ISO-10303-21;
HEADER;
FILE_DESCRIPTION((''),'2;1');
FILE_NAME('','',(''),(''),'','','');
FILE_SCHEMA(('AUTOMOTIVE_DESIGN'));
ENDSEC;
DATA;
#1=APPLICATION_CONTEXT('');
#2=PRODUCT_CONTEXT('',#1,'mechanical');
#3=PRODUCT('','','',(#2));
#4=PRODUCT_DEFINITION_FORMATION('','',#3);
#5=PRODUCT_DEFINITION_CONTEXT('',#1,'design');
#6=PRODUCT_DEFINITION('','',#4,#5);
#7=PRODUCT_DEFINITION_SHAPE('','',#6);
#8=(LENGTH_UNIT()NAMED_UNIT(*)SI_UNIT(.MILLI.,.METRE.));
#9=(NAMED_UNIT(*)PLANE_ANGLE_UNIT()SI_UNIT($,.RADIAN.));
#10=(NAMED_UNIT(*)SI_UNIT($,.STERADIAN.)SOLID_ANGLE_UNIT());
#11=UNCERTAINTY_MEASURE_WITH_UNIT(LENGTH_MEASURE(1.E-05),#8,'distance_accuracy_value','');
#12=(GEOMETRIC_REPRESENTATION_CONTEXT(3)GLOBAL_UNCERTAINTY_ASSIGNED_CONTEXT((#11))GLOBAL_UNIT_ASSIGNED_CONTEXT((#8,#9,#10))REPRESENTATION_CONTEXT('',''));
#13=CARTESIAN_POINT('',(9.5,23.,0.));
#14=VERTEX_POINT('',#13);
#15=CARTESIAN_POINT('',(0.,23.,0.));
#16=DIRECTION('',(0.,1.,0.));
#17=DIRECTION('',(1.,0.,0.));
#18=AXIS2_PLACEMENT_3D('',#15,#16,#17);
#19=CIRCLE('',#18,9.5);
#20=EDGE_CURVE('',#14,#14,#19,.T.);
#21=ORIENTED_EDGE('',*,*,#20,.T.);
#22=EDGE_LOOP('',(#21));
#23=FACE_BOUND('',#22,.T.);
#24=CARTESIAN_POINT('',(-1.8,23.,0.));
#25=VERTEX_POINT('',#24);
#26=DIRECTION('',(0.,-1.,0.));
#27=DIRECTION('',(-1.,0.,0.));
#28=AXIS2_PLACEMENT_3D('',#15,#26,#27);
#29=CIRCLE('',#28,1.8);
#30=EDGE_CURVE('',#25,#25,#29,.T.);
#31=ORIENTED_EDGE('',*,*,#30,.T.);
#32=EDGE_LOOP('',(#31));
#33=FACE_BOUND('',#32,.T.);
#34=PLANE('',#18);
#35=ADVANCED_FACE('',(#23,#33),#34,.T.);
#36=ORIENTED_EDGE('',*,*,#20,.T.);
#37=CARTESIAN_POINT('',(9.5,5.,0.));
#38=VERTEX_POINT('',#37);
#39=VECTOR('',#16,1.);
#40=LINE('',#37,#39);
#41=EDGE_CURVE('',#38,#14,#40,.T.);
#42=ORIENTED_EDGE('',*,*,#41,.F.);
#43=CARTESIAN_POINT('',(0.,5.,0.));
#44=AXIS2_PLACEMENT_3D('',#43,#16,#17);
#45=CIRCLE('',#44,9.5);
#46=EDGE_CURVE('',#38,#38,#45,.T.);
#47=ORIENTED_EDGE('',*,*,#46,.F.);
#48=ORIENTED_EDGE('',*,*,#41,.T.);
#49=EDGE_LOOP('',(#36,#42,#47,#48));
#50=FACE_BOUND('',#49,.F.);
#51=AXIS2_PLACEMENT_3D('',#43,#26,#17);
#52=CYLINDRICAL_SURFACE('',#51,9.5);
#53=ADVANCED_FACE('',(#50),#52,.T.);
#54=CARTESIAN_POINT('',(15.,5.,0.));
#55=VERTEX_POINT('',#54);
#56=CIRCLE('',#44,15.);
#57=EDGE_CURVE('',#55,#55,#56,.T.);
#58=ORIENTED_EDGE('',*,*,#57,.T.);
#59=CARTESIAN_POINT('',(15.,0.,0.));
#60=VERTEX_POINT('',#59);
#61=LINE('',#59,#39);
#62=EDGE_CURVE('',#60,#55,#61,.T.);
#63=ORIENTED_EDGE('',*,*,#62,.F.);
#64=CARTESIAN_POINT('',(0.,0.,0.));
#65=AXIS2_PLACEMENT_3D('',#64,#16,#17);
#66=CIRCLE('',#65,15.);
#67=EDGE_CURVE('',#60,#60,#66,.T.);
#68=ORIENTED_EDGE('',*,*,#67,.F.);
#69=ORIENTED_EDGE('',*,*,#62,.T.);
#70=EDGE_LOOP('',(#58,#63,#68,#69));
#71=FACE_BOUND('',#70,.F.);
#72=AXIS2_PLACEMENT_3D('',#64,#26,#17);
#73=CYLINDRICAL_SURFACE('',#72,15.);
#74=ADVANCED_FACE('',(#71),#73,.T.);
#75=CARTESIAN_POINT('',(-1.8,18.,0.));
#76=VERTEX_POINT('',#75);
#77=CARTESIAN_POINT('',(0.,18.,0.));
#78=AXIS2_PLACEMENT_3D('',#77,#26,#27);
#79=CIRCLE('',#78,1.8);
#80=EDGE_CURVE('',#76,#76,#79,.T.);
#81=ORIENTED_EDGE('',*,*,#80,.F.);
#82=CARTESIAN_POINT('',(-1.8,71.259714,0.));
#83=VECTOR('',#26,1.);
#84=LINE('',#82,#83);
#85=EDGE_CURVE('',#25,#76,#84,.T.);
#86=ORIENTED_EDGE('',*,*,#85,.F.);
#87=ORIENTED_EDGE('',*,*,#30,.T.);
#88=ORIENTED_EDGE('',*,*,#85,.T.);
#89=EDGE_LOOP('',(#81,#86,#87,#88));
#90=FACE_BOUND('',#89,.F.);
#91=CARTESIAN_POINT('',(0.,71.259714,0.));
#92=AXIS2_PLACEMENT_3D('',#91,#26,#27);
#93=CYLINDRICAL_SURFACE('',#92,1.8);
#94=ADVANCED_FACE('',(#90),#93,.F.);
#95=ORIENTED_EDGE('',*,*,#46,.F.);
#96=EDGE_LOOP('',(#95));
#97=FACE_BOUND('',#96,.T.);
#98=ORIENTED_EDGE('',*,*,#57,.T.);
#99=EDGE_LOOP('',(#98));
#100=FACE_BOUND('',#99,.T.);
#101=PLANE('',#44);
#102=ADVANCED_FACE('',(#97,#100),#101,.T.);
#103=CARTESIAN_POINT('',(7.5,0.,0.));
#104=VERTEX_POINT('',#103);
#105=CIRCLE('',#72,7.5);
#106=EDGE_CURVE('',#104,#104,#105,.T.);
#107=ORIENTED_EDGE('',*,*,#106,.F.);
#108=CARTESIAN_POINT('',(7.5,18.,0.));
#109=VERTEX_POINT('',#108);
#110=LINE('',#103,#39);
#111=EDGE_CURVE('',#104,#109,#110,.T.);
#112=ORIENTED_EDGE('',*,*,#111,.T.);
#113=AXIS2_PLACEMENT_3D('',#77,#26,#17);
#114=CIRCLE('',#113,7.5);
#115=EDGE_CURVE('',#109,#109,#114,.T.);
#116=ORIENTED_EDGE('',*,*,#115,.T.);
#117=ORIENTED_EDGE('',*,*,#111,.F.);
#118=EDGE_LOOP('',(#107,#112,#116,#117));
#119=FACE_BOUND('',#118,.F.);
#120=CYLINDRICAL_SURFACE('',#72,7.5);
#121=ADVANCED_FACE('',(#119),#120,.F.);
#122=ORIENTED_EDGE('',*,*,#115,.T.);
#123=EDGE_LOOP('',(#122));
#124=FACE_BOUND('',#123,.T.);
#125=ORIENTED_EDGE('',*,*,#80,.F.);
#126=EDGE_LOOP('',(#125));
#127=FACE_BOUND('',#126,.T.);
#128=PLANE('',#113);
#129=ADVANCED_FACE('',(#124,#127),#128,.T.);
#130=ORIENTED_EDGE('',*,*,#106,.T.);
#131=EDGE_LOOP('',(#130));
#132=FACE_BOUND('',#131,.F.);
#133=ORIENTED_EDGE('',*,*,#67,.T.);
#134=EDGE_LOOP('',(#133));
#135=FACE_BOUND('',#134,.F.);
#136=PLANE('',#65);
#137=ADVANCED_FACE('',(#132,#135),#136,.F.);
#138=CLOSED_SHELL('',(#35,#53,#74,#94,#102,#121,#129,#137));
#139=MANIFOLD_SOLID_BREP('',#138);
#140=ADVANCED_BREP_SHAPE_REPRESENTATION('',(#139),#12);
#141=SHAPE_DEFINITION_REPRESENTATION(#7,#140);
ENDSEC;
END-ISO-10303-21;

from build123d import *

# Parameters (mm, degrees)
SKETCH2_R            = 15
BOSS_EXTRUDE1_DEPTH  = 5
SKETCH3_R            = 9.5
BOSS_EXTRUDE2_DEPTH  = 18
SKETCH4_R            = 7.5
CUT_EXTRUDE1_DEPTH   = 18
M3_CLEARANCE_HOLE1_D = 3.6


with BuildPart() as part:
    # Sketch2 → Boss-Extrude1 (new body)
    with BuildSketch(Plane(origin=(0, 0, 0), x_dir=(1, 0, 0), z_dir=(0, 1, 0))):
        Circle(SKETCH2_R)
    extrude(amount=BOSS_EXTRUDE1_DEPTH)

    # Sketch3 → Boss-Extrude2 (add)
    with BuildSketch(Plane(origin=(0, 5, 0), x_dir=(1, 0, 0), z_dir=(0, 1, 0))):
        Circle(SKETCH3_R)
    extrude(amount=BOSS_EXTRUDE2_DEPTH)

    # Sketch4 → Cut-Extrude1 (cut)
    with BuildSketch(Plane.XZ):
        Circle(SKETCH4_R)
    extrude(amount=-CUT_EXTRUDE1_DEPTH, mode=Mode.SUBTRACT)

    # M3 Clearance Hole1 (through all)
    with Locations(Plane(origin=(0, 23, 0), x_dir=(1, 0, 0), z_dir=(0, 1, 0))):
        with Locations((0, 0)):
            Hole(M3_CLEARANCE_HOLE1_D / 2)


solid = part.part
